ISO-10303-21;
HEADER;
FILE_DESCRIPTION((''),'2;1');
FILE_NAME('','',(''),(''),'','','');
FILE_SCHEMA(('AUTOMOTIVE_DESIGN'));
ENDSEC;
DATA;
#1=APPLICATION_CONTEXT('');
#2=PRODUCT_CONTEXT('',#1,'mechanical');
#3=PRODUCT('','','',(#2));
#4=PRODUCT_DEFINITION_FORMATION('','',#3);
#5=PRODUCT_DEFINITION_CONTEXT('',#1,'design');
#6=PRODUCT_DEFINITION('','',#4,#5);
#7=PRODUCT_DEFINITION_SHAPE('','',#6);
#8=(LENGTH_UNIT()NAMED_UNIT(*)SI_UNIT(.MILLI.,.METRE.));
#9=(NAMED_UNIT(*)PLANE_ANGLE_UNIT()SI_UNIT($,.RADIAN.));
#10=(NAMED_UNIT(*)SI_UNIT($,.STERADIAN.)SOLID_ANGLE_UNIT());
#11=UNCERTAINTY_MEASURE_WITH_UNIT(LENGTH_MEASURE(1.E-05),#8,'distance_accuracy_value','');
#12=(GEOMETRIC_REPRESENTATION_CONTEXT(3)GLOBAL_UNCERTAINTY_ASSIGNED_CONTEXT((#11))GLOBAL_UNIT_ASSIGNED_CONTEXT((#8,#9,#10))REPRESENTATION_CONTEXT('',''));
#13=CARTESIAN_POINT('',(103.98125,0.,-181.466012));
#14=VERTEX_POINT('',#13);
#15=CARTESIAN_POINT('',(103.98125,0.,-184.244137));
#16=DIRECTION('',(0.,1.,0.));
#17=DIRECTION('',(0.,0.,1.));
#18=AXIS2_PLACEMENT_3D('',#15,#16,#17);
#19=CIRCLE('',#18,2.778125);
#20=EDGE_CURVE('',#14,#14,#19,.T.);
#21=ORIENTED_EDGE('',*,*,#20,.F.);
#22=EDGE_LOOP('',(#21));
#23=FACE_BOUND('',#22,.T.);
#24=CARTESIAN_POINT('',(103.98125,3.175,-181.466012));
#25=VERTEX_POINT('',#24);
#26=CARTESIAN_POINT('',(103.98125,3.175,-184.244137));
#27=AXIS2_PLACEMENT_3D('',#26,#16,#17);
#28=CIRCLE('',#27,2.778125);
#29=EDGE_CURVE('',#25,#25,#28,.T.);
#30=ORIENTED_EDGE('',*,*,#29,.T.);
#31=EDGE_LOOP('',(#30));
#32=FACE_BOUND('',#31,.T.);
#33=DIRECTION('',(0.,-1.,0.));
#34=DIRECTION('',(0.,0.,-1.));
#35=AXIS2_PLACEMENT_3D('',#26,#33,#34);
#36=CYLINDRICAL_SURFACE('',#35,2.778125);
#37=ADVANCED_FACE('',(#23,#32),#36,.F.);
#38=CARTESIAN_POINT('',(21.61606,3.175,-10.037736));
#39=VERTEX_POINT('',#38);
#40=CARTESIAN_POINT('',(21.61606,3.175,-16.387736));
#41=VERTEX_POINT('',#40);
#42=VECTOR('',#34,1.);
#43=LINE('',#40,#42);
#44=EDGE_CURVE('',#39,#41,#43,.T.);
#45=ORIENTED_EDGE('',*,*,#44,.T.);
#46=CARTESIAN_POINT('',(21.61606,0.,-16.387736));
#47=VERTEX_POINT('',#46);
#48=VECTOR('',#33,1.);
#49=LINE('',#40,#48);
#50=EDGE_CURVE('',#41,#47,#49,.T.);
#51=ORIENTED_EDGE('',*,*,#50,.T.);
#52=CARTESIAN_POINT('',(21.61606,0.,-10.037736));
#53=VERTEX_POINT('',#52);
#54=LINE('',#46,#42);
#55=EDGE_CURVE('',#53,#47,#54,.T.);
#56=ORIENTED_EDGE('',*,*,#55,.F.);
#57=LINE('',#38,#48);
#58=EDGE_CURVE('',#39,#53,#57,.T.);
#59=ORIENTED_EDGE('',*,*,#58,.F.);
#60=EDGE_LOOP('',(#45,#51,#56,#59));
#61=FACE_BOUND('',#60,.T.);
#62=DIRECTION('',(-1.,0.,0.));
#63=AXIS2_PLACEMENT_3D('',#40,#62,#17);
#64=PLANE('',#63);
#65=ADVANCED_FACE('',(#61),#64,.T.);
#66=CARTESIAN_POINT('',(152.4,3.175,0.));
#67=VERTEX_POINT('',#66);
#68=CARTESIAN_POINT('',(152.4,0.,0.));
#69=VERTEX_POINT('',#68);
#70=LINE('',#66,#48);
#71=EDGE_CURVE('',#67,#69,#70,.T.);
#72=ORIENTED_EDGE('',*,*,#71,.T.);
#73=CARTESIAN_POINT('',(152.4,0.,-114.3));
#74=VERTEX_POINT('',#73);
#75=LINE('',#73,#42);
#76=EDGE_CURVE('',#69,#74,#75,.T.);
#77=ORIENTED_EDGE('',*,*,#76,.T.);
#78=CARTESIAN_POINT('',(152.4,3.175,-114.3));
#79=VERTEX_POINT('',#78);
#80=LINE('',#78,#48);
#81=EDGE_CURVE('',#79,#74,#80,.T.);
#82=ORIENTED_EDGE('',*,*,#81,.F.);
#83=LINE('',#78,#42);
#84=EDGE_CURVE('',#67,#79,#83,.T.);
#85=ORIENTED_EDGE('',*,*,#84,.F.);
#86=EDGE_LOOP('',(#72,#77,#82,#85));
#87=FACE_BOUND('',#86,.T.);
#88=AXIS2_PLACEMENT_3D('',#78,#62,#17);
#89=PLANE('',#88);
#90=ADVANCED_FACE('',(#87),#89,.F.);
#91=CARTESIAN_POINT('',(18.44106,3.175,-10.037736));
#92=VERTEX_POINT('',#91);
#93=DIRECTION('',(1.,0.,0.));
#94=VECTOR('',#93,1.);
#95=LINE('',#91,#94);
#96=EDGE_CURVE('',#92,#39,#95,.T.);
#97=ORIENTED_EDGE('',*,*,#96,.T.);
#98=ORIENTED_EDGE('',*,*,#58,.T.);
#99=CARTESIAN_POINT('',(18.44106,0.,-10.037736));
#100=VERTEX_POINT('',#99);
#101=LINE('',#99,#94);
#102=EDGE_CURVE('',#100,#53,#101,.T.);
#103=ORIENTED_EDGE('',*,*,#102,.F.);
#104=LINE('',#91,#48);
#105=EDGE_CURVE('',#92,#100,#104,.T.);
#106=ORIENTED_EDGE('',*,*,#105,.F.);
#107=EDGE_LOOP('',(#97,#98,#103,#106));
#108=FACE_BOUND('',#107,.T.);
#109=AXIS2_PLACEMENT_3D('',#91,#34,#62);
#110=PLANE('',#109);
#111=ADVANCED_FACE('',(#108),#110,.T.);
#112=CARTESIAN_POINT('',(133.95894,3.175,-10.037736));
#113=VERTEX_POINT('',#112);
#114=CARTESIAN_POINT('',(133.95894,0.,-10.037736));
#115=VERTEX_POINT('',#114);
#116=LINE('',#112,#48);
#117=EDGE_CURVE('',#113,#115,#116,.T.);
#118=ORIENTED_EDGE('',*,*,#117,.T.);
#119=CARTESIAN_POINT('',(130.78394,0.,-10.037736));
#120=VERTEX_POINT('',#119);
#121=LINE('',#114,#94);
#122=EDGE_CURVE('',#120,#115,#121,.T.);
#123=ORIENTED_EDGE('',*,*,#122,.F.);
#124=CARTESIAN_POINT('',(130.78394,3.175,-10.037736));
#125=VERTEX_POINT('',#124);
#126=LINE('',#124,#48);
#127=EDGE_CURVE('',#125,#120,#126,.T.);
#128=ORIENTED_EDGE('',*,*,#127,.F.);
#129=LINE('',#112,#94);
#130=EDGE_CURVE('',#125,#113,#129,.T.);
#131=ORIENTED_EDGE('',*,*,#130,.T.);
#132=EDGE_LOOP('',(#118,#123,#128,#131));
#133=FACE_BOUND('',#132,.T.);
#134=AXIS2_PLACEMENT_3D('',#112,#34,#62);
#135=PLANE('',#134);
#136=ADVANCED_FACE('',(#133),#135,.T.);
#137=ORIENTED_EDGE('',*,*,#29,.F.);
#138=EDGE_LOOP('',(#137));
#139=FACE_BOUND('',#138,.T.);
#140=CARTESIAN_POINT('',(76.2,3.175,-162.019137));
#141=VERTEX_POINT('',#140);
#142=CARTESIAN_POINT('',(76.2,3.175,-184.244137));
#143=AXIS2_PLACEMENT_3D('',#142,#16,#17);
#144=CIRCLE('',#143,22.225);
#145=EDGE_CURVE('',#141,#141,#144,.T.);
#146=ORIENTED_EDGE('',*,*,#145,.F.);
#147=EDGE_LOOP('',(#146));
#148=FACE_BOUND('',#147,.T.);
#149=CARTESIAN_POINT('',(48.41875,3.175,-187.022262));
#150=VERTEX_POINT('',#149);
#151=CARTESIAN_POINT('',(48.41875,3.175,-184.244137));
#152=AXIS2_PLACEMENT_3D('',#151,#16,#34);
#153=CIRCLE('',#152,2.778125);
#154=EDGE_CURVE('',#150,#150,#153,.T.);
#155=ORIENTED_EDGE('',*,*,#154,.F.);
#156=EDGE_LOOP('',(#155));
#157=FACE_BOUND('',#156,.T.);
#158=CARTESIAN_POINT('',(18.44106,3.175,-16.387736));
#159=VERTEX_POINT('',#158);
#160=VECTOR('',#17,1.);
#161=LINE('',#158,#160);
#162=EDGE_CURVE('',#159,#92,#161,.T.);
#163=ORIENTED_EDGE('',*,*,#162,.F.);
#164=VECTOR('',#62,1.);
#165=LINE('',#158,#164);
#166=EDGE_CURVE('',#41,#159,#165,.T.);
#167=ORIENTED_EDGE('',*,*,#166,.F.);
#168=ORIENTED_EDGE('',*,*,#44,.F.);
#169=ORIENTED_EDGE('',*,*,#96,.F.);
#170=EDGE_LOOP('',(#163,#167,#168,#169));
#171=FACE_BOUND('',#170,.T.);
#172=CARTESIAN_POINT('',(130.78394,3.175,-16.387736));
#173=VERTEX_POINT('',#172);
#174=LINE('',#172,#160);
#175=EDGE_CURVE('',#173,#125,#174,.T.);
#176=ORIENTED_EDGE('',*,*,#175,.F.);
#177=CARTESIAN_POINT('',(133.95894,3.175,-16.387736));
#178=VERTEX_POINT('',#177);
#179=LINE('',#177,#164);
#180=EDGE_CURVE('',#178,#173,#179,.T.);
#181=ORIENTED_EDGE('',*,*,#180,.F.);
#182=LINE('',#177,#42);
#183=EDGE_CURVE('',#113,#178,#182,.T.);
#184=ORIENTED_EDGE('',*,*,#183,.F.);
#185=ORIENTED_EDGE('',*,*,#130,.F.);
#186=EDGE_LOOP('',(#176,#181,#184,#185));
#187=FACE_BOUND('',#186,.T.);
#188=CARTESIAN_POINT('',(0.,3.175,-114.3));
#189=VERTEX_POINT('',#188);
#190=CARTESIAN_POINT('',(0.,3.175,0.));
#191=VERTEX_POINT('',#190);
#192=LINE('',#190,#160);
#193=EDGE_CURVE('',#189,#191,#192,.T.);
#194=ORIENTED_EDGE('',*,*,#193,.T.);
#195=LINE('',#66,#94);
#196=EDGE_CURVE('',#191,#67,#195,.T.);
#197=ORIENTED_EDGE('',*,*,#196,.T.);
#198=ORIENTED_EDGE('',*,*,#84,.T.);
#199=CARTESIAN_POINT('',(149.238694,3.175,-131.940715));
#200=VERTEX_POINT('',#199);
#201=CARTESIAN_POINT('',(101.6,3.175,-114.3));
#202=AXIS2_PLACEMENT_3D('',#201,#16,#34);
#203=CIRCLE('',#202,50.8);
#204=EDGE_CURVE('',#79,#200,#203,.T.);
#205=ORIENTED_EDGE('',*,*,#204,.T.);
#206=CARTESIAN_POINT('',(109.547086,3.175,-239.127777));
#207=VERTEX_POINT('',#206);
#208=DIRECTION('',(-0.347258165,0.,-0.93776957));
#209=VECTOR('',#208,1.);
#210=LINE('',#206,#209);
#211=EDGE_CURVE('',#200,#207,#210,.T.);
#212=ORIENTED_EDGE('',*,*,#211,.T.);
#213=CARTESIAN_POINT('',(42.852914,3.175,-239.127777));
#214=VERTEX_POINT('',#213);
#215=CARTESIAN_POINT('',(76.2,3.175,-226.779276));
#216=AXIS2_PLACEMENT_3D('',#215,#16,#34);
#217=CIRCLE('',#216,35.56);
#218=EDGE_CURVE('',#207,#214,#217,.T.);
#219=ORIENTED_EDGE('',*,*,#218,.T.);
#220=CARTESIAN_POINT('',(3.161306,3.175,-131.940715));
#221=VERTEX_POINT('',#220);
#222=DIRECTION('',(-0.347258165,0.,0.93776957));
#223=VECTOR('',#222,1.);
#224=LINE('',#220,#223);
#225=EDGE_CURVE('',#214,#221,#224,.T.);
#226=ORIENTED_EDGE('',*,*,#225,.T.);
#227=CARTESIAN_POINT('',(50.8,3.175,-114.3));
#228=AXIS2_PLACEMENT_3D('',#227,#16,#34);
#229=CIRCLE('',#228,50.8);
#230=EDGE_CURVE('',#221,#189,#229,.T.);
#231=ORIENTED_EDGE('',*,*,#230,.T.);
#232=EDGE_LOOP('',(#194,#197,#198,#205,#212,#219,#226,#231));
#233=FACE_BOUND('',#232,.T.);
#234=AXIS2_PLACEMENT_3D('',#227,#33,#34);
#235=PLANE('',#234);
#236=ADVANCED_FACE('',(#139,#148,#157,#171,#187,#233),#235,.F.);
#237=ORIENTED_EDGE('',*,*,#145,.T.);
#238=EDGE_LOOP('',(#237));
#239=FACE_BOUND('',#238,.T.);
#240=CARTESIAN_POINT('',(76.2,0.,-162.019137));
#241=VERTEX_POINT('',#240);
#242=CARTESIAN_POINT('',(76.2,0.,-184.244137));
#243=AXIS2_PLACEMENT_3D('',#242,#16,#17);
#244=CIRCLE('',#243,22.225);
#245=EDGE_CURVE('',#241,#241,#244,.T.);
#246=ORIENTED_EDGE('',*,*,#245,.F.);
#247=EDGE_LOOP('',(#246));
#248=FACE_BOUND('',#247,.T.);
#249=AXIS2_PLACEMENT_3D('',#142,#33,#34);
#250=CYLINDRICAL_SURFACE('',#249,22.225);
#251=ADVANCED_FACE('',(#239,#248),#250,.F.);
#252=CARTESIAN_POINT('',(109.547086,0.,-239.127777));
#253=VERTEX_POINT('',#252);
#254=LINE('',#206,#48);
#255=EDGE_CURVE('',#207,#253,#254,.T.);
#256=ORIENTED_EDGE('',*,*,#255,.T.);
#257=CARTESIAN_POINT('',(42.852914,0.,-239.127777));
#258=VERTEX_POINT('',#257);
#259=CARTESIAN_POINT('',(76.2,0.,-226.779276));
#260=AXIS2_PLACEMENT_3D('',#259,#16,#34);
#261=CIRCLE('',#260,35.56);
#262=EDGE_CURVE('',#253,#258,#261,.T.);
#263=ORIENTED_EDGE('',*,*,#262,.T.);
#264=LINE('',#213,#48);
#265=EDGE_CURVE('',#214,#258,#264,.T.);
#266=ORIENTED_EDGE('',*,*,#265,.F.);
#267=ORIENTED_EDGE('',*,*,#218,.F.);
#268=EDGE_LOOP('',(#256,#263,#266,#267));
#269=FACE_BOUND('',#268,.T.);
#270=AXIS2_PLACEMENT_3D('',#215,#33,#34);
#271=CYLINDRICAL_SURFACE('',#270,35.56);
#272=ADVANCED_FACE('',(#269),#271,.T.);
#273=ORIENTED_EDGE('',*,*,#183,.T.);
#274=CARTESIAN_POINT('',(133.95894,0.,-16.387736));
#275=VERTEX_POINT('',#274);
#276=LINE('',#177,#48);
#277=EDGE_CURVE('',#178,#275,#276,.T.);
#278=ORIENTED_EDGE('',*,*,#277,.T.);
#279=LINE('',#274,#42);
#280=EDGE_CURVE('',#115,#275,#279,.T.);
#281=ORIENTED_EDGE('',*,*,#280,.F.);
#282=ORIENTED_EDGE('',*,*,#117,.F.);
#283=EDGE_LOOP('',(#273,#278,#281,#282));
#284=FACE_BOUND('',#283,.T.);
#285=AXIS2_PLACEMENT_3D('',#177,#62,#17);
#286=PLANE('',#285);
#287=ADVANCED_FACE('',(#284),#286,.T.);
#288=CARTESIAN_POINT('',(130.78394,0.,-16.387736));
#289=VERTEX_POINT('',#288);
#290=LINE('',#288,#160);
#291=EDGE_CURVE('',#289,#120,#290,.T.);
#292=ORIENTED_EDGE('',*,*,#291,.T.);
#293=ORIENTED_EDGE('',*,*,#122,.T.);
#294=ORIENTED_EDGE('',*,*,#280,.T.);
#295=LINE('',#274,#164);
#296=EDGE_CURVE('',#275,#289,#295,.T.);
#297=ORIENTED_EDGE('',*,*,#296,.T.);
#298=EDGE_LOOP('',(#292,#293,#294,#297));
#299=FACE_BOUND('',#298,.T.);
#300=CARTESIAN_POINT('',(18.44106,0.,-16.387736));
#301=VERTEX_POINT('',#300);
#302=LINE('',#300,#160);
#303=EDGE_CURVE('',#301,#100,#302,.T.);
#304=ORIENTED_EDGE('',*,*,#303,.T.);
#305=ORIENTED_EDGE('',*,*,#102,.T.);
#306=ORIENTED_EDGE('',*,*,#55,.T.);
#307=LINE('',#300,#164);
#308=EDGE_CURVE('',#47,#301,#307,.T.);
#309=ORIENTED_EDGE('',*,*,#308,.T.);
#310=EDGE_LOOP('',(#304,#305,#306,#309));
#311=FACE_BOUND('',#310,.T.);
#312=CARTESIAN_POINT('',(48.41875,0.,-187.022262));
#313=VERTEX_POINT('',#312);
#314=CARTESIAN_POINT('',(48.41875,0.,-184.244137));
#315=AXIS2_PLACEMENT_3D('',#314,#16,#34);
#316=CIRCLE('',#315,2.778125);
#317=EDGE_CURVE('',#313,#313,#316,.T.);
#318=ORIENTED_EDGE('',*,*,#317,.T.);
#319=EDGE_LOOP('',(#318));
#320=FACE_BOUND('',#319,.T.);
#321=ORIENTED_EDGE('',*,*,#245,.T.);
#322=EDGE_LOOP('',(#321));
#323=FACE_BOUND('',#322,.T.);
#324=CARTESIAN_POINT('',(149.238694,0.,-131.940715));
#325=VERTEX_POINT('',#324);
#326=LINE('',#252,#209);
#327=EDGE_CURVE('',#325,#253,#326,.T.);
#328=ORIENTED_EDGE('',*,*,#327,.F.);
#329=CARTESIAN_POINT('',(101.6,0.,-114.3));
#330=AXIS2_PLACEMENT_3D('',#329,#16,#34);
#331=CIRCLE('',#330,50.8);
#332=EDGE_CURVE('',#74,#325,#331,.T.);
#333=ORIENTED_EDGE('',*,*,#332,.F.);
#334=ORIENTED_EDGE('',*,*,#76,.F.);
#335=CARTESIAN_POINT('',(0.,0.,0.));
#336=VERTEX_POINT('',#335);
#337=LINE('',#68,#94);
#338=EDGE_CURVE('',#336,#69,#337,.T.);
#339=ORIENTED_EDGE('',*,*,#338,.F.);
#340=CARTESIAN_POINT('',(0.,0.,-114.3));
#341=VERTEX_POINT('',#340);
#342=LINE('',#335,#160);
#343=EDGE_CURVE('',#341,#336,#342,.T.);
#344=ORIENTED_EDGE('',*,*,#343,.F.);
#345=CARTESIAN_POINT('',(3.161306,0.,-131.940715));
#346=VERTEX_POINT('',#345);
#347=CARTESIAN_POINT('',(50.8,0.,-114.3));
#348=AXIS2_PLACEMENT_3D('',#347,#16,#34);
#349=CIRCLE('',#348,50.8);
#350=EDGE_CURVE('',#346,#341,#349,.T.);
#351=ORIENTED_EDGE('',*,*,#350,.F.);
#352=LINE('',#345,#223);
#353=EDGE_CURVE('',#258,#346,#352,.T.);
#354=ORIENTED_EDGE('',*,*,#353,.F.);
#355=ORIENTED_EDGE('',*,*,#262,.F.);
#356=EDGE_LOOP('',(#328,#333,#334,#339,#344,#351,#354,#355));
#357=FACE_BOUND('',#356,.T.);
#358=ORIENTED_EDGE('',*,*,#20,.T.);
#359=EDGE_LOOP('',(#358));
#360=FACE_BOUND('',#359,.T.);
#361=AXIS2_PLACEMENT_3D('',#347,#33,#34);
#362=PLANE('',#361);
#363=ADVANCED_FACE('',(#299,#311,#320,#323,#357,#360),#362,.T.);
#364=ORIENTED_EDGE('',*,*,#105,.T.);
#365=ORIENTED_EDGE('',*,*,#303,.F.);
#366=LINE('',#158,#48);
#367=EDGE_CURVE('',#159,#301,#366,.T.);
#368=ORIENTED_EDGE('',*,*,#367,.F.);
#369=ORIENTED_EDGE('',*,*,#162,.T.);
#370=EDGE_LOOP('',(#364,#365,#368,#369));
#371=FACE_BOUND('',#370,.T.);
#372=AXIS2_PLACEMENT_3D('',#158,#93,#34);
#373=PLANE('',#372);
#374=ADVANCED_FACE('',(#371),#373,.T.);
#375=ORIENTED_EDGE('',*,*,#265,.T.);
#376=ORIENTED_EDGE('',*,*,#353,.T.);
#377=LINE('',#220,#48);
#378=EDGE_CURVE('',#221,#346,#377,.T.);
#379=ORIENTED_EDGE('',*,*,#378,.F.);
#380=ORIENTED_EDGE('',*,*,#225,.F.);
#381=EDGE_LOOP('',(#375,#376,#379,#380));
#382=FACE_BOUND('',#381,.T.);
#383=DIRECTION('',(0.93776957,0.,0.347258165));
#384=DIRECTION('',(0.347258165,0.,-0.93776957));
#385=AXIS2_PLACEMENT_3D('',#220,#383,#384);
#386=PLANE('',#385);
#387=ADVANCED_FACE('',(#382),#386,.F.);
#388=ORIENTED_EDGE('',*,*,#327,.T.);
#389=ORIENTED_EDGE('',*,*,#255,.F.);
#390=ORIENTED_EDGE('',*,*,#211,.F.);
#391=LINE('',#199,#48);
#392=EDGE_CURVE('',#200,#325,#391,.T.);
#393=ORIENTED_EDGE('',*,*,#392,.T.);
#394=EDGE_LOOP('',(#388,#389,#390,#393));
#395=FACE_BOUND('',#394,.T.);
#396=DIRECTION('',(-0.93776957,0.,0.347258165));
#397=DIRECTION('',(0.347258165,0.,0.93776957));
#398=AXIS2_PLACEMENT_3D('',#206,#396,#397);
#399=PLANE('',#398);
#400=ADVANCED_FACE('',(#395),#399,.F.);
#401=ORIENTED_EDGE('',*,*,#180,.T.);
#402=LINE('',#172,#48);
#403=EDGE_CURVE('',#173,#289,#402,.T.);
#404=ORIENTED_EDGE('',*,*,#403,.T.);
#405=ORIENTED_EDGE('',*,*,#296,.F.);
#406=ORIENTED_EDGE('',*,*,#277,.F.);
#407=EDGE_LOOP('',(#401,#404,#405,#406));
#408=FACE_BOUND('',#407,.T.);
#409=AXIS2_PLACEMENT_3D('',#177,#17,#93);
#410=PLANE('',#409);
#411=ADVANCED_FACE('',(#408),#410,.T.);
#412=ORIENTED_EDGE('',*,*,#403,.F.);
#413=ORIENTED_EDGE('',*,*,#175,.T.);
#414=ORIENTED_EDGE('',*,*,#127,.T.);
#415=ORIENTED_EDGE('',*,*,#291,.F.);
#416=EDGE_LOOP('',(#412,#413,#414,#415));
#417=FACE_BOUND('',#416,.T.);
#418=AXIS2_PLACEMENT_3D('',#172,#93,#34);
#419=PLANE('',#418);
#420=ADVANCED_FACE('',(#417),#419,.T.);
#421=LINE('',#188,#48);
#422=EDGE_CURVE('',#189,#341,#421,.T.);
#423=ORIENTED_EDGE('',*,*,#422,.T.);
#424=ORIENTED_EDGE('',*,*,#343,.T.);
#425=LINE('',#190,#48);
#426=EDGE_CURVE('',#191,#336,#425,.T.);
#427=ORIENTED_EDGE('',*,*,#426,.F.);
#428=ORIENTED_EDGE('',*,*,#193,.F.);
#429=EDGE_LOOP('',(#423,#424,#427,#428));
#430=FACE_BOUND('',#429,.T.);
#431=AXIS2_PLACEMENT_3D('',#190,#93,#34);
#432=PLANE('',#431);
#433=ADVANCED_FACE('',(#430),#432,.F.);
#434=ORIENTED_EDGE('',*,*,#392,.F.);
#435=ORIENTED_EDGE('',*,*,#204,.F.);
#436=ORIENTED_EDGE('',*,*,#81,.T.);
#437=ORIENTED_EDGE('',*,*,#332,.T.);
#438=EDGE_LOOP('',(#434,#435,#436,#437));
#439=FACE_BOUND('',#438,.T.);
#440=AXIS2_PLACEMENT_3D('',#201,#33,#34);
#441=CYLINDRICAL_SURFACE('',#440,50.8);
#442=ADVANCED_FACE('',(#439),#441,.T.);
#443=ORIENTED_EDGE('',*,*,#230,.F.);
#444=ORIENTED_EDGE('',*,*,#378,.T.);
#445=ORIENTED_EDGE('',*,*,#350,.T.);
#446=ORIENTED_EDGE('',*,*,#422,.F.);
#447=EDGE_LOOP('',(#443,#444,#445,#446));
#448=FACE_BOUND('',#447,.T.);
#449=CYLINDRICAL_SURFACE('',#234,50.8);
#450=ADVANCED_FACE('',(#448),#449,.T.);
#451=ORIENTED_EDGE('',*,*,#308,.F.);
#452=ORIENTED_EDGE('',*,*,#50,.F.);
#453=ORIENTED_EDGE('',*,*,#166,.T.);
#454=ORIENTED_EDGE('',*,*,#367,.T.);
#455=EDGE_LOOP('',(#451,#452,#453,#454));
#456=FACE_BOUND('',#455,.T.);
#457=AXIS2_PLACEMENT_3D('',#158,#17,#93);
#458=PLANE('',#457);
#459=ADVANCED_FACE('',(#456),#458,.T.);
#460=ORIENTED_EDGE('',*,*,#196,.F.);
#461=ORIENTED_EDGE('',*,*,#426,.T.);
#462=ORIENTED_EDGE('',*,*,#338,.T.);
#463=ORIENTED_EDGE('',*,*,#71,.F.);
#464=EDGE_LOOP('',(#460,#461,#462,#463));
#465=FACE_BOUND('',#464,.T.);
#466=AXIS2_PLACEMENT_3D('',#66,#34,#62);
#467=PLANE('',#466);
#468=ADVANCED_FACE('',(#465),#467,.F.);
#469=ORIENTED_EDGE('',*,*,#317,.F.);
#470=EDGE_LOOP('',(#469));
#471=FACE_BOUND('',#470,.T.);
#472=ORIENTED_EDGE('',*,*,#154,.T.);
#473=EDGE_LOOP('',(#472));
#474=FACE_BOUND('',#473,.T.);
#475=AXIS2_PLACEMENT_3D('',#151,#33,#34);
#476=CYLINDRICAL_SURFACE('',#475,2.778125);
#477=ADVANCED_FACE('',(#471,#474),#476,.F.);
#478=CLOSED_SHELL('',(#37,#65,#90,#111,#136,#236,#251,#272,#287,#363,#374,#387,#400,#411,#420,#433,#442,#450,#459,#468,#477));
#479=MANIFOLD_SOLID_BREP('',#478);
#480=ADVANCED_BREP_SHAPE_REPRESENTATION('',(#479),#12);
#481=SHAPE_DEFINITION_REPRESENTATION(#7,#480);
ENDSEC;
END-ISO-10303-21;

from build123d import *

# Parameters (mm, degrees)
SKETCH3_R           = 22.225
SKETCH3_R_2         = 2.778125
SKETCH3_W           = 3.175
SKETCH3_H           = 6.35
BOSS_EXTRUDE1_DEPTH = 3.175


with BuildPart() as part:
    # Sketch3 → Boss-Extrude1 (new body)
    with BuildSketch(Plane(origin=(0, 0, 0), x_dir=(1, 0, 0), z_dir=(0, 1, 0))):
        with BuildLine():
            Line((0, 0), (0, 114.3))
            ThreePointArc((0, 114.3), (0.796571799, 123.260868714), (3.161305831, 131.940714778))
            Line((3.161305831, 131.940714778), (42.852914082, 239.127776658))
            ThreePointArc((42.852914082, 239.127776658), (76.2, 262.339276313), (109.547085918, 239.127776658))
            Line((109.547085918, 239.127776658), (149.238694169, 131.940714778))
            ThreePointArc((149.238694169, 131.940714778), (151.603428201, 123.260868714), (152.4, 114.3))
            Line((152.4, 114.3), (152.4, 0))
            Line((152.4, 0), (0, 0))
        make_face()
        with Locations(Location((76.2, 184.24413735, 0), (0, 0, 270))):
            Circle(SKETCH3_R, mode=Mode.SUBTRACT)
        with Locations(Location((103.98125, 184.24413735, 0), (0, 0, 270))):
            Circle(SKETCH3_R_2, mode=Mode.SUBTRACT)
        with Locations(Location((48.41875, 184.24413735, 0), (0, 0, 90))):
            Circle(SKETCH3_R_2, mode=Mode.SUBTRACT)
        with Locations((20.0285604, 13.212735966)):
            Rectangle(SKETCH3_W, SKETCH3_H, mode=Mode.SUBTRACT)
        with Locations((132.3714396, 13.212735966)):
            Rectangle(SKETCH3_W, SKETCH3_H, mode=Mode.SUBTRACT)
    extrude(amount=BOSS_EXTRUDE1_DEPTH)


solid = part.part
